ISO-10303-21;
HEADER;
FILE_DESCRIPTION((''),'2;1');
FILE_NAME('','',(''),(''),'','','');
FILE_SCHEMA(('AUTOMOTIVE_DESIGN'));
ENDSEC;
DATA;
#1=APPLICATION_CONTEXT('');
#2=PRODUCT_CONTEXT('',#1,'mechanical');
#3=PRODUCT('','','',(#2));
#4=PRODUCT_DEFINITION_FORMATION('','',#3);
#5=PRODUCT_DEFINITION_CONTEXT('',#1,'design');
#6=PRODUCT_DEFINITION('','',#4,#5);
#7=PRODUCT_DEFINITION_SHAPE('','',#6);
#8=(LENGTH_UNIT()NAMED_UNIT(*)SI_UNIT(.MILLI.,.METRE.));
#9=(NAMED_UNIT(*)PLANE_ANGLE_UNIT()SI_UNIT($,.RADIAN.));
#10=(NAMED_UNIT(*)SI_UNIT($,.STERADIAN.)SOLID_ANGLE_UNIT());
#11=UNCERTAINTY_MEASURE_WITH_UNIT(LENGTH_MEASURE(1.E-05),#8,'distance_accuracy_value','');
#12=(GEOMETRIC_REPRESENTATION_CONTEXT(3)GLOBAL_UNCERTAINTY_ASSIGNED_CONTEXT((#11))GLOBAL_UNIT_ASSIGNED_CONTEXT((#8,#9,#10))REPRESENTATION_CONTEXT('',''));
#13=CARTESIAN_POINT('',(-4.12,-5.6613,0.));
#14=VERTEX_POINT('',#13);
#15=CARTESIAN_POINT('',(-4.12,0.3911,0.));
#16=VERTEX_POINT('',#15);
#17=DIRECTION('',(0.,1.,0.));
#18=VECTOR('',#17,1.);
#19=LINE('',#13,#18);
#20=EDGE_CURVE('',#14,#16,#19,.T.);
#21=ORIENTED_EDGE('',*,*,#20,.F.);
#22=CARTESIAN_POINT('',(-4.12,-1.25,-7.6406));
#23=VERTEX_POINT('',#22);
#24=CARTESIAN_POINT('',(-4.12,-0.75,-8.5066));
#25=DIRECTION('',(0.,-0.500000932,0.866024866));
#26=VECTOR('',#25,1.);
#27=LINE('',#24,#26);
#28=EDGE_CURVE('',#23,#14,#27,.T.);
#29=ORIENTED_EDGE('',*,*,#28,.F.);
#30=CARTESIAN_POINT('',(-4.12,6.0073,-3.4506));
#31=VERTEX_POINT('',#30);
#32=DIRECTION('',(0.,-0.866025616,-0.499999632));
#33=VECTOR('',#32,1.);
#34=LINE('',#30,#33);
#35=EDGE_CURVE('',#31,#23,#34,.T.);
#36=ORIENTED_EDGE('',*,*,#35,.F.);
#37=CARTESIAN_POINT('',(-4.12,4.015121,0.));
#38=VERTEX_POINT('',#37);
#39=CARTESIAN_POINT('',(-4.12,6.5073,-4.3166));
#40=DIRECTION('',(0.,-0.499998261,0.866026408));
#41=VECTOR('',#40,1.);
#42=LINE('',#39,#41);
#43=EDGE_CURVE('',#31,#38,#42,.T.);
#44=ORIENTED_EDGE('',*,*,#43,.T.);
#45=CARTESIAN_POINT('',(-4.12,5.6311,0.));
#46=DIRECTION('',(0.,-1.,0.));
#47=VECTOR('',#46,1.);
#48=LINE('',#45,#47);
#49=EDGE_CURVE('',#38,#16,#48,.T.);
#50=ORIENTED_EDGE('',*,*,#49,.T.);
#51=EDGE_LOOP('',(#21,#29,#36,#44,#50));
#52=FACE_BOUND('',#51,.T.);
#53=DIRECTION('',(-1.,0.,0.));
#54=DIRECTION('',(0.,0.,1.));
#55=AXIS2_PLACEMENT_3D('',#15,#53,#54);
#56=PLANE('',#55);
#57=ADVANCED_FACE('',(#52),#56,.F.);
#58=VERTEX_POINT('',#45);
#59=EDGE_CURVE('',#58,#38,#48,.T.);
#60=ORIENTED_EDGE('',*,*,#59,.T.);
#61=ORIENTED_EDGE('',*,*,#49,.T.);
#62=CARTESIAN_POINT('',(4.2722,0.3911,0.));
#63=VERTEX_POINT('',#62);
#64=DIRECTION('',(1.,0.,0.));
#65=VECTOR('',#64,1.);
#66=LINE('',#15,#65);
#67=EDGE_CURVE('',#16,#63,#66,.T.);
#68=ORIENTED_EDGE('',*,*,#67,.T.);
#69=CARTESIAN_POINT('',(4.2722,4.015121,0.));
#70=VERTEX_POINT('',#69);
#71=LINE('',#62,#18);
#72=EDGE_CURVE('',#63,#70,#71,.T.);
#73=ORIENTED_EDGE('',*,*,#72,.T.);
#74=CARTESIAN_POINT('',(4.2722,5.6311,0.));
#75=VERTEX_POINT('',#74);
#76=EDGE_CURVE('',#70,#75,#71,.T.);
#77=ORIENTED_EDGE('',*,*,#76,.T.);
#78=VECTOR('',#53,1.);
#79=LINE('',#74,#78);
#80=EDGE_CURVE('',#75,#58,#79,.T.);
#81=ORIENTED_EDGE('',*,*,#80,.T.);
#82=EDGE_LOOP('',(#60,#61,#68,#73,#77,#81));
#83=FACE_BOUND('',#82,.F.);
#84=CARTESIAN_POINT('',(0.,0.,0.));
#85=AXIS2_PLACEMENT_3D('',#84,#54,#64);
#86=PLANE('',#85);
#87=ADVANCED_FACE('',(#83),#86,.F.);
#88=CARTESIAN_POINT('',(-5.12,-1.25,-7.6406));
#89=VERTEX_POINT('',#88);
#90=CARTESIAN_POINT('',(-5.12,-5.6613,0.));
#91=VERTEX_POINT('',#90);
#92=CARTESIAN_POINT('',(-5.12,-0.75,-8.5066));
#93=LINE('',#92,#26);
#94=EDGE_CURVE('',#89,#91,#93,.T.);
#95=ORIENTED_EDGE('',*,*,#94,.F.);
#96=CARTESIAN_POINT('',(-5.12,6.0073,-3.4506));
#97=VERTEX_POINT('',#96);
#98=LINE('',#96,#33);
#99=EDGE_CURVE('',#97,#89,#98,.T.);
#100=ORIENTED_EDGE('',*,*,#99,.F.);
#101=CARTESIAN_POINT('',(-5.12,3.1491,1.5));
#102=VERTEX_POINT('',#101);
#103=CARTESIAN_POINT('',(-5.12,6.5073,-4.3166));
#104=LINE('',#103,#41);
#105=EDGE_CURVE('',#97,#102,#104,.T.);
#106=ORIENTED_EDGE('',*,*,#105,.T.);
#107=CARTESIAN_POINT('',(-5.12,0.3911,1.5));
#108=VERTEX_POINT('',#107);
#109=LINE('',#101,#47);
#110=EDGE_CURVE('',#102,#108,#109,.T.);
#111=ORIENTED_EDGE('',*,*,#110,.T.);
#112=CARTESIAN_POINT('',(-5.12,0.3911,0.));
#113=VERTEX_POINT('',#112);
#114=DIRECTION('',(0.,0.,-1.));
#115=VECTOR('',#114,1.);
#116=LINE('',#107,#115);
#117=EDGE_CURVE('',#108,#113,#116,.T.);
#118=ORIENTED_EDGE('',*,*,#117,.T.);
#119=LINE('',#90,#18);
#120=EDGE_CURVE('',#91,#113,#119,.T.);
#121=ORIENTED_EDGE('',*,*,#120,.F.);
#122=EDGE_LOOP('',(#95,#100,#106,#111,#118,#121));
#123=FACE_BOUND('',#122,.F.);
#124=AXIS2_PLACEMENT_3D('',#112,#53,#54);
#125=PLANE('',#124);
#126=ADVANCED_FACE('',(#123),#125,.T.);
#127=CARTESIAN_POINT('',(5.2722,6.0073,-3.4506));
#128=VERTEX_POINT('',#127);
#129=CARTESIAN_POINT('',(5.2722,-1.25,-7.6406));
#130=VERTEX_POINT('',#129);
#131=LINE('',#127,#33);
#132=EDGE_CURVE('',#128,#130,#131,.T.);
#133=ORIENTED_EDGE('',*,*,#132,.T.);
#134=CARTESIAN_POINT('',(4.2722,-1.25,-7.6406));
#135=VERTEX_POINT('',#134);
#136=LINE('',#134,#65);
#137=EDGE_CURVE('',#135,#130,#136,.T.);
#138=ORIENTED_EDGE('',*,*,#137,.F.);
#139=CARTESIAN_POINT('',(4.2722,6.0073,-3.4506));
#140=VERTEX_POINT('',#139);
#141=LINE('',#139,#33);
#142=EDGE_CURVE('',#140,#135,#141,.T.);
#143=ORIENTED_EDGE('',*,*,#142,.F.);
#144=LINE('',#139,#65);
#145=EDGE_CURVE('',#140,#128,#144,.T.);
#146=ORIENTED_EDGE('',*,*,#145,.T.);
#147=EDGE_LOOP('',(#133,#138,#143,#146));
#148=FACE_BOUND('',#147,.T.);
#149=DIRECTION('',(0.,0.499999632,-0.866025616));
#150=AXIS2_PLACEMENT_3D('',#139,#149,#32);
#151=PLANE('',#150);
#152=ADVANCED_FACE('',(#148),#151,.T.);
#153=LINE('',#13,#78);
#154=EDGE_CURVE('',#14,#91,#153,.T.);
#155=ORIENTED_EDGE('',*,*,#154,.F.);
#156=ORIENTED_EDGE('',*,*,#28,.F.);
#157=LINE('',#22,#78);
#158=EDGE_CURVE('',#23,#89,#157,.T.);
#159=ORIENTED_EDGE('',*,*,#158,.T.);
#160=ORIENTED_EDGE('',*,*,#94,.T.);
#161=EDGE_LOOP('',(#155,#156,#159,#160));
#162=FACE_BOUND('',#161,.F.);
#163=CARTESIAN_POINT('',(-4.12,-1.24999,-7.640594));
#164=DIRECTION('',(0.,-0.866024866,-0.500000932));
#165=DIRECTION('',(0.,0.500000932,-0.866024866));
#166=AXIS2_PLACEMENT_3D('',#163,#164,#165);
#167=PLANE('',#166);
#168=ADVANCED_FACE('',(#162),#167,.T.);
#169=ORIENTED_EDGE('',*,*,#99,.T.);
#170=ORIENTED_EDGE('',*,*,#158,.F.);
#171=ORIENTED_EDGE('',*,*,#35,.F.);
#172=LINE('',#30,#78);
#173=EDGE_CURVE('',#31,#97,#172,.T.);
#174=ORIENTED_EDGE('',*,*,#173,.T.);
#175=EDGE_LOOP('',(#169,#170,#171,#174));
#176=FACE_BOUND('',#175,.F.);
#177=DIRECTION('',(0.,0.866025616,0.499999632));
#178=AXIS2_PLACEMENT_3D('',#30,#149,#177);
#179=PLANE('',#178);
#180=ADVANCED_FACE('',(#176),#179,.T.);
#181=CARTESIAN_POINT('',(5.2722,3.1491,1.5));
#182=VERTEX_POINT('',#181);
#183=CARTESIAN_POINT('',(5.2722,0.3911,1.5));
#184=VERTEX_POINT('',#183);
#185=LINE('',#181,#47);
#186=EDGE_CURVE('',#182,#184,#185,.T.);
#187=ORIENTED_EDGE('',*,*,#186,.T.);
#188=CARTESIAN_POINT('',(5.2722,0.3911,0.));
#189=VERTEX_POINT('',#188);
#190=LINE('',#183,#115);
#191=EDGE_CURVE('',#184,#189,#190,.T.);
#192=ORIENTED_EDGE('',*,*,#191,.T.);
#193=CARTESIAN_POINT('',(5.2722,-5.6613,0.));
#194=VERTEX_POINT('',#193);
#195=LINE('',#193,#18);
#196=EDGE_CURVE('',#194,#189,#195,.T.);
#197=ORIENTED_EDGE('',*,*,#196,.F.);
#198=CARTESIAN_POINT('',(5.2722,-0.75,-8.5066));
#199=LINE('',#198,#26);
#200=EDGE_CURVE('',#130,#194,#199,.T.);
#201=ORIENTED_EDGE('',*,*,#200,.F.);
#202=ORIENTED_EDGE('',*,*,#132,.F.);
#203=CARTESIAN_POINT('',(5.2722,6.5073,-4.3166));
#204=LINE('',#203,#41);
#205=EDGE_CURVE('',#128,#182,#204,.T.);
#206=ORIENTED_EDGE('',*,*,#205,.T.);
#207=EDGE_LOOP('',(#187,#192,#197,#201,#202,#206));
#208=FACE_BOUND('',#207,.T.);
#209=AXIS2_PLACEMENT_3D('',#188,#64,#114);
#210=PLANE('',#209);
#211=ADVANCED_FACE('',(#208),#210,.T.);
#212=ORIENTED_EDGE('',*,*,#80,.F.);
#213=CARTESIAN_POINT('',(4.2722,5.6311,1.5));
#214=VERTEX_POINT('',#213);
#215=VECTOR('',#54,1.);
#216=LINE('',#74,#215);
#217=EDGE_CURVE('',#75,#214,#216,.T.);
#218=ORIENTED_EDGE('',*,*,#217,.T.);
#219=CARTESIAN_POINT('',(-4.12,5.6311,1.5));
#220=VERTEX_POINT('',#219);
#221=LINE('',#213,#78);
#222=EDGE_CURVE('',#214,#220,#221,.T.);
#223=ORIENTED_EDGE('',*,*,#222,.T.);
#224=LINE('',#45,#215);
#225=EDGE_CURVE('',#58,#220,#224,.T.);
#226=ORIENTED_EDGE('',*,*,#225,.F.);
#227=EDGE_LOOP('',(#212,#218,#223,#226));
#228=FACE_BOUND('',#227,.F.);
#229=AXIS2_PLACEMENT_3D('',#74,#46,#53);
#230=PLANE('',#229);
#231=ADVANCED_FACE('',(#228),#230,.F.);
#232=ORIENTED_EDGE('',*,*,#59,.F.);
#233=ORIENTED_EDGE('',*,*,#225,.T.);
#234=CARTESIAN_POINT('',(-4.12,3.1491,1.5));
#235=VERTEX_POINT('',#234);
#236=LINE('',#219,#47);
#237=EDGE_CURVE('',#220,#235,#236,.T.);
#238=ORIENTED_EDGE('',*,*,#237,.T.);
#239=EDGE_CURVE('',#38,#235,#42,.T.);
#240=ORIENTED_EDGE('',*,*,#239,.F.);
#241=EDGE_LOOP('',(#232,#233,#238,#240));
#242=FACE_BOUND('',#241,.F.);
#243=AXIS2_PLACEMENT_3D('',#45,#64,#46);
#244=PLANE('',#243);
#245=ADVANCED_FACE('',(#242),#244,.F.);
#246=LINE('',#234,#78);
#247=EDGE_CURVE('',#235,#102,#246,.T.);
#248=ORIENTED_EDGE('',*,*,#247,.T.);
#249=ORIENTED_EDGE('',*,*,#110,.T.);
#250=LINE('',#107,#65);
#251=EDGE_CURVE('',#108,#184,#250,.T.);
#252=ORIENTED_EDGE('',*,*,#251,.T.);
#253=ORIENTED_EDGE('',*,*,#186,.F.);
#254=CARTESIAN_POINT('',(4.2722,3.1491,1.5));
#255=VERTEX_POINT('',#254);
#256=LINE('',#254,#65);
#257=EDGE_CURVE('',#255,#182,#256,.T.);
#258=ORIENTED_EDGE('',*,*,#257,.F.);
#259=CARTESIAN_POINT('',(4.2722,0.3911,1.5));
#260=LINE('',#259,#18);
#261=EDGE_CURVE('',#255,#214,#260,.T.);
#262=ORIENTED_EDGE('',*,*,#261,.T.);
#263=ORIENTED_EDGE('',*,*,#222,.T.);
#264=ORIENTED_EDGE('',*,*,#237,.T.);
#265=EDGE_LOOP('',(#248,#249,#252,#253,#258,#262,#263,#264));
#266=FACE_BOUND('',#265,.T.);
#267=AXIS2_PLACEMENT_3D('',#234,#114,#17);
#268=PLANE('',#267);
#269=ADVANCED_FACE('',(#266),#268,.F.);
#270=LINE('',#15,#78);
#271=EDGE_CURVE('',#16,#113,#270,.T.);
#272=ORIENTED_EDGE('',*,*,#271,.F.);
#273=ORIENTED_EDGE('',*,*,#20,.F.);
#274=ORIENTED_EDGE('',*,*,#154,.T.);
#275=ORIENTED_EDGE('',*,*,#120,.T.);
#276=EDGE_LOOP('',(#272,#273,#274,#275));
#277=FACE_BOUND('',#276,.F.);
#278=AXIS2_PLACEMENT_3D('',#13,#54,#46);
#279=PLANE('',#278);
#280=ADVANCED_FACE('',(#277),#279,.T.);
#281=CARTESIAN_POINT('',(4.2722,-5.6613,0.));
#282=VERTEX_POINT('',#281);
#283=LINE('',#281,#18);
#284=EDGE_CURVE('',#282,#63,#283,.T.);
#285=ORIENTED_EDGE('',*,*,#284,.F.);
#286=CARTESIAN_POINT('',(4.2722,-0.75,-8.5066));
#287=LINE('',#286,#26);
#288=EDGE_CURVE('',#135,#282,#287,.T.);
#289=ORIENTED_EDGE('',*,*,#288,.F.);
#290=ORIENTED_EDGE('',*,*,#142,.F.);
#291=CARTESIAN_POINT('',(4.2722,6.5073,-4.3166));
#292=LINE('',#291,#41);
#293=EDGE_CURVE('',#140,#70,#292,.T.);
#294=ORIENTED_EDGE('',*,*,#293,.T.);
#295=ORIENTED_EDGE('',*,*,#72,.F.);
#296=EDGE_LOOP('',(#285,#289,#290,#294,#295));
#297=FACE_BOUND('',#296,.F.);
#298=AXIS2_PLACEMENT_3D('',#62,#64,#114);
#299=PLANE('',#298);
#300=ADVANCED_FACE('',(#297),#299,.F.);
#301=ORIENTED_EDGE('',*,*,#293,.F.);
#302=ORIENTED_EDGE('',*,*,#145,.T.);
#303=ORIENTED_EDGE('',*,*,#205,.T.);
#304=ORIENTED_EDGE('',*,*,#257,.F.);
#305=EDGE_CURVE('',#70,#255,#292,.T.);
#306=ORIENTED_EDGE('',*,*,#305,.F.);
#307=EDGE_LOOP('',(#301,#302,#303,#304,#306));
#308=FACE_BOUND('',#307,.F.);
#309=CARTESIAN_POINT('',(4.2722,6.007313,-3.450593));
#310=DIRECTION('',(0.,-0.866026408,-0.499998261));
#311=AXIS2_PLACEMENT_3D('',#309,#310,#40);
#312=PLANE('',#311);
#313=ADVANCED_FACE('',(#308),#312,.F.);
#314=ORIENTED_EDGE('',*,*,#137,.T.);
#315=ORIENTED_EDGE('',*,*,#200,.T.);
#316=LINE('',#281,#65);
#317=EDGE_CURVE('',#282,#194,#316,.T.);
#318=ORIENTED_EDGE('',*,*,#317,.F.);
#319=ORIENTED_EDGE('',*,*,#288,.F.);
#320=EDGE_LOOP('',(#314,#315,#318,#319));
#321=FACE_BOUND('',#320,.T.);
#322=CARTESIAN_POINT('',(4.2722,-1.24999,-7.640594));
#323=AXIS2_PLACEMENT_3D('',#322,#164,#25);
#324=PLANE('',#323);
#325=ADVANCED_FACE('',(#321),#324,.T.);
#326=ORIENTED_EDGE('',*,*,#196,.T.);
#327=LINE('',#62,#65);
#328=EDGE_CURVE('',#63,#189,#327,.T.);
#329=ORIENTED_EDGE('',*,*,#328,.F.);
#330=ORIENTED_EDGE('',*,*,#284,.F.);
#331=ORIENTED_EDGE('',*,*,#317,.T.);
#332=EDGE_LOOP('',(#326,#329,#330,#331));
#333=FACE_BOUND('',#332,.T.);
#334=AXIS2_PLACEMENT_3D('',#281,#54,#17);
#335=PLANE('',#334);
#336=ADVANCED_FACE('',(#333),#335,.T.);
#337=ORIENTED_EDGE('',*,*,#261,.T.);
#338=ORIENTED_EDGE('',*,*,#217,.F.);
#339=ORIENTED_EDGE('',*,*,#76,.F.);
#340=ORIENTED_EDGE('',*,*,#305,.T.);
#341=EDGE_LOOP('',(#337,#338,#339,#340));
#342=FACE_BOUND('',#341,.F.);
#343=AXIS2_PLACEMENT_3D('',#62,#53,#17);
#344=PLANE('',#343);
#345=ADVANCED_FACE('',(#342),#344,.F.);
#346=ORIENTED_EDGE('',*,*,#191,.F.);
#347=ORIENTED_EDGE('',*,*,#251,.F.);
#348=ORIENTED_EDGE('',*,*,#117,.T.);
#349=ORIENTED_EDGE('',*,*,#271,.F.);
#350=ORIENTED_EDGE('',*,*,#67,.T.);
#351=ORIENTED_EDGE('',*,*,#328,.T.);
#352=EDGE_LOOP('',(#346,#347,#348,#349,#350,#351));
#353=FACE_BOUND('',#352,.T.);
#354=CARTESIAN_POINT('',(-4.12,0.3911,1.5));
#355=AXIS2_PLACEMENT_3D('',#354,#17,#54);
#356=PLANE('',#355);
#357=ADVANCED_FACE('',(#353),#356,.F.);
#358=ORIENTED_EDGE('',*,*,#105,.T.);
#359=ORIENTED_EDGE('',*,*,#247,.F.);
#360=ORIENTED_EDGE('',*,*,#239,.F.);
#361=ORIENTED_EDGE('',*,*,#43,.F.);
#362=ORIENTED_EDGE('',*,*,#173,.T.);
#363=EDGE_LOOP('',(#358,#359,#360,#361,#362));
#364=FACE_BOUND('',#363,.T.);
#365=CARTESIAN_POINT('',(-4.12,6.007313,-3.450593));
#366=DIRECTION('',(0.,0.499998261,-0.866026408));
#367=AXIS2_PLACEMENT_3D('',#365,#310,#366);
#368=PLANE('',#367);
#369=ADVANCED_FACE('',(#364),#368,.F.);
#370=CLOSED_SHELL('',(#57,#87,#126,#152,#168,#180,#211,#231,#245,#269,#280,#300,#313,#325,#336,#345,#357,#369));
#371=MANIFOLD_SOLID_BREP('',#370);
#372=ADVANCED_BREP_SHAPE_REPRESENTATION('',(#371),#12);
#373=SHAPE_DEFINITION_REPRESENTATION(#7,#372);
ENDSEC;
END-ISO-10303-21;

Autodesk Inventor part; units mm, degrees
ref_plane "YZ Plane" through (0, 0, 0) normal (1, 0, 0) x (0, 1, 0)
ref_plane "XZ Plane" through (0, 0, 0) normal (0, 1, 0) x (-1, 0, 0)
ref_plane "XY Plane" through (0, 0, 0) normal (0, 0, 1) x (1, 0, 0)
ref_plane "Work Plane1" through (0, 0, 0) normal (0, 0, 1) x (1, 0, 0)
sketch "Sketch1" plane through (0, 0, 0) normal (0, 0, 1) x (1, 0, 0)
  line L0 (4, -5.5111) -> (4, 5.5111) construction
  line L1 (4, 5.5111) -> (-4, 5.5111) construction
  line L2 (-4, 5.5111) -> (-4, -5.5111) construction
  line L3 (-4, -5.5111) -> (4, -5.5111) construction
  line L4 (-4, 5.5111) -> (4.1522, 5.5111) construction
  line L5 (4.1522, 5.5111) -> (4.1522, 0.5111) construction
  line L6 (4.1522, 0.5111) -> (-4, 0.5111) construction
  line L7 (-4, 0.5111) -> (-4, 5.5111) construction
  line L8 (-4.12, 0.3911) -> (4.2722, 0.3911)
  line L9 (4.2722, 0.3911) -> (4.2722, 5.6311)
  line L10 (4.2722, 5.6311) -> (-4.12, 5.6311)
  line L11 (-4.12, 5.6311) -> (-4.12, 0.3911)
  point P0 (0, 0)
  dimension "d0" = 5
  dimension "d1" = 0.12
extrude "Extrusion1" add sketch "Sketch1" along normal blind 1.5
sketch "Sketch2" plane through (4.2722, 0.3911, 0) normal (1, 0, 0) x (0, 0, -1)
  line L0 (-1.5, 0) -> (-1.5, 5.24) construction
  line L1 (4.4205, 6.1762) -> (4.9103, 6.459) construction
  line L2 (4.9103, 6.459) -> (2.5, 10.6336) construction
  line L3 (2.5, 10.6336) -> (0.5, 9.4789) construction
  line L4 (0.5, 9.4789) -> (0.5, 5.12) construction
  line L5 (0.5, 5.12) -> (0, 5.12) construction
  line L6 (0, -5.9023) -> (0, 5.12) construction
  line L7 (0.5, -5.9023) -> (0, -5.9023) construction
  line L8 (8.6705, -1.185) -> (0.5, -5.9023) construction
  line L9 (8.6705, -1.185) -> (4.4205, 6.1762) construction
  line L10 (0.4678, -5.7823) -> (0.12, -5.7823) construction
  line L11 (0.12, -5.7823) -> (0.12, 5) construction
  line L12 (0.12, 5) -> (0.62, 5) construction
  line L13 (0.62, 5) -> (0.62, 9.4097) construction
  line L14 (0.62, 9.4097) -> (2.4561, 10.4697) construction
  line L15 (2.4561, 10.4697) -> (4.7463, 6.5029) construction
  line L16 (4.7463, 6.5029) -> (4.2566, 6.2201) construction
  line L17 (4.2566, 6.2201) -> (8.5066, -1.1411) construction
  line L18 (8.5066, -1.1411) -> (0.4678, -5.7823) construction
  line L19 (6.2093, 7.209) -> (-21.3823, -8.721) construction
  line L20 (4.3166, 6.1162) -> (-1.5, 2.758)
  line L21 (-1.5, 2.758) -> (-1.5, 0)
  line L22 (-1.5, 0) -> (0.12, 0)
  line L23 (8.5066, -1.1411) -> (0, -6.0524)
  line L24 (0, -6.0524) -> (0, 0)
  line L25 (8.5066, -1.1411) -> (4.3166, 6.1162)
  line L26 (3.4506, 5.6162) -> (7.6406, -1.6411)
  line L27 (0, -6.0524) -> (0, 0)
  line L28 (0, 0) -> (-1.5, 0)
  point P0 (0, -0.3911)
  dimension "d4" = 0.12
  dimension "d5" = 1
extrude "Extrusion2" add sketch "Sketch2" along normal blind 1 contours L26 L23 L24 L22 L21 L20
ref_plane "Work Plane2" through (0.0761, 5.6311, 1.5) normal (1, 0, 0) x (0, 0, -1)
mirror "Mirror1" about plane through (0.0761, 5.6311, 1.5) normal (1, 0, 0) of "Extrusion2"
properties part number "PTFEFilter_clamp"
